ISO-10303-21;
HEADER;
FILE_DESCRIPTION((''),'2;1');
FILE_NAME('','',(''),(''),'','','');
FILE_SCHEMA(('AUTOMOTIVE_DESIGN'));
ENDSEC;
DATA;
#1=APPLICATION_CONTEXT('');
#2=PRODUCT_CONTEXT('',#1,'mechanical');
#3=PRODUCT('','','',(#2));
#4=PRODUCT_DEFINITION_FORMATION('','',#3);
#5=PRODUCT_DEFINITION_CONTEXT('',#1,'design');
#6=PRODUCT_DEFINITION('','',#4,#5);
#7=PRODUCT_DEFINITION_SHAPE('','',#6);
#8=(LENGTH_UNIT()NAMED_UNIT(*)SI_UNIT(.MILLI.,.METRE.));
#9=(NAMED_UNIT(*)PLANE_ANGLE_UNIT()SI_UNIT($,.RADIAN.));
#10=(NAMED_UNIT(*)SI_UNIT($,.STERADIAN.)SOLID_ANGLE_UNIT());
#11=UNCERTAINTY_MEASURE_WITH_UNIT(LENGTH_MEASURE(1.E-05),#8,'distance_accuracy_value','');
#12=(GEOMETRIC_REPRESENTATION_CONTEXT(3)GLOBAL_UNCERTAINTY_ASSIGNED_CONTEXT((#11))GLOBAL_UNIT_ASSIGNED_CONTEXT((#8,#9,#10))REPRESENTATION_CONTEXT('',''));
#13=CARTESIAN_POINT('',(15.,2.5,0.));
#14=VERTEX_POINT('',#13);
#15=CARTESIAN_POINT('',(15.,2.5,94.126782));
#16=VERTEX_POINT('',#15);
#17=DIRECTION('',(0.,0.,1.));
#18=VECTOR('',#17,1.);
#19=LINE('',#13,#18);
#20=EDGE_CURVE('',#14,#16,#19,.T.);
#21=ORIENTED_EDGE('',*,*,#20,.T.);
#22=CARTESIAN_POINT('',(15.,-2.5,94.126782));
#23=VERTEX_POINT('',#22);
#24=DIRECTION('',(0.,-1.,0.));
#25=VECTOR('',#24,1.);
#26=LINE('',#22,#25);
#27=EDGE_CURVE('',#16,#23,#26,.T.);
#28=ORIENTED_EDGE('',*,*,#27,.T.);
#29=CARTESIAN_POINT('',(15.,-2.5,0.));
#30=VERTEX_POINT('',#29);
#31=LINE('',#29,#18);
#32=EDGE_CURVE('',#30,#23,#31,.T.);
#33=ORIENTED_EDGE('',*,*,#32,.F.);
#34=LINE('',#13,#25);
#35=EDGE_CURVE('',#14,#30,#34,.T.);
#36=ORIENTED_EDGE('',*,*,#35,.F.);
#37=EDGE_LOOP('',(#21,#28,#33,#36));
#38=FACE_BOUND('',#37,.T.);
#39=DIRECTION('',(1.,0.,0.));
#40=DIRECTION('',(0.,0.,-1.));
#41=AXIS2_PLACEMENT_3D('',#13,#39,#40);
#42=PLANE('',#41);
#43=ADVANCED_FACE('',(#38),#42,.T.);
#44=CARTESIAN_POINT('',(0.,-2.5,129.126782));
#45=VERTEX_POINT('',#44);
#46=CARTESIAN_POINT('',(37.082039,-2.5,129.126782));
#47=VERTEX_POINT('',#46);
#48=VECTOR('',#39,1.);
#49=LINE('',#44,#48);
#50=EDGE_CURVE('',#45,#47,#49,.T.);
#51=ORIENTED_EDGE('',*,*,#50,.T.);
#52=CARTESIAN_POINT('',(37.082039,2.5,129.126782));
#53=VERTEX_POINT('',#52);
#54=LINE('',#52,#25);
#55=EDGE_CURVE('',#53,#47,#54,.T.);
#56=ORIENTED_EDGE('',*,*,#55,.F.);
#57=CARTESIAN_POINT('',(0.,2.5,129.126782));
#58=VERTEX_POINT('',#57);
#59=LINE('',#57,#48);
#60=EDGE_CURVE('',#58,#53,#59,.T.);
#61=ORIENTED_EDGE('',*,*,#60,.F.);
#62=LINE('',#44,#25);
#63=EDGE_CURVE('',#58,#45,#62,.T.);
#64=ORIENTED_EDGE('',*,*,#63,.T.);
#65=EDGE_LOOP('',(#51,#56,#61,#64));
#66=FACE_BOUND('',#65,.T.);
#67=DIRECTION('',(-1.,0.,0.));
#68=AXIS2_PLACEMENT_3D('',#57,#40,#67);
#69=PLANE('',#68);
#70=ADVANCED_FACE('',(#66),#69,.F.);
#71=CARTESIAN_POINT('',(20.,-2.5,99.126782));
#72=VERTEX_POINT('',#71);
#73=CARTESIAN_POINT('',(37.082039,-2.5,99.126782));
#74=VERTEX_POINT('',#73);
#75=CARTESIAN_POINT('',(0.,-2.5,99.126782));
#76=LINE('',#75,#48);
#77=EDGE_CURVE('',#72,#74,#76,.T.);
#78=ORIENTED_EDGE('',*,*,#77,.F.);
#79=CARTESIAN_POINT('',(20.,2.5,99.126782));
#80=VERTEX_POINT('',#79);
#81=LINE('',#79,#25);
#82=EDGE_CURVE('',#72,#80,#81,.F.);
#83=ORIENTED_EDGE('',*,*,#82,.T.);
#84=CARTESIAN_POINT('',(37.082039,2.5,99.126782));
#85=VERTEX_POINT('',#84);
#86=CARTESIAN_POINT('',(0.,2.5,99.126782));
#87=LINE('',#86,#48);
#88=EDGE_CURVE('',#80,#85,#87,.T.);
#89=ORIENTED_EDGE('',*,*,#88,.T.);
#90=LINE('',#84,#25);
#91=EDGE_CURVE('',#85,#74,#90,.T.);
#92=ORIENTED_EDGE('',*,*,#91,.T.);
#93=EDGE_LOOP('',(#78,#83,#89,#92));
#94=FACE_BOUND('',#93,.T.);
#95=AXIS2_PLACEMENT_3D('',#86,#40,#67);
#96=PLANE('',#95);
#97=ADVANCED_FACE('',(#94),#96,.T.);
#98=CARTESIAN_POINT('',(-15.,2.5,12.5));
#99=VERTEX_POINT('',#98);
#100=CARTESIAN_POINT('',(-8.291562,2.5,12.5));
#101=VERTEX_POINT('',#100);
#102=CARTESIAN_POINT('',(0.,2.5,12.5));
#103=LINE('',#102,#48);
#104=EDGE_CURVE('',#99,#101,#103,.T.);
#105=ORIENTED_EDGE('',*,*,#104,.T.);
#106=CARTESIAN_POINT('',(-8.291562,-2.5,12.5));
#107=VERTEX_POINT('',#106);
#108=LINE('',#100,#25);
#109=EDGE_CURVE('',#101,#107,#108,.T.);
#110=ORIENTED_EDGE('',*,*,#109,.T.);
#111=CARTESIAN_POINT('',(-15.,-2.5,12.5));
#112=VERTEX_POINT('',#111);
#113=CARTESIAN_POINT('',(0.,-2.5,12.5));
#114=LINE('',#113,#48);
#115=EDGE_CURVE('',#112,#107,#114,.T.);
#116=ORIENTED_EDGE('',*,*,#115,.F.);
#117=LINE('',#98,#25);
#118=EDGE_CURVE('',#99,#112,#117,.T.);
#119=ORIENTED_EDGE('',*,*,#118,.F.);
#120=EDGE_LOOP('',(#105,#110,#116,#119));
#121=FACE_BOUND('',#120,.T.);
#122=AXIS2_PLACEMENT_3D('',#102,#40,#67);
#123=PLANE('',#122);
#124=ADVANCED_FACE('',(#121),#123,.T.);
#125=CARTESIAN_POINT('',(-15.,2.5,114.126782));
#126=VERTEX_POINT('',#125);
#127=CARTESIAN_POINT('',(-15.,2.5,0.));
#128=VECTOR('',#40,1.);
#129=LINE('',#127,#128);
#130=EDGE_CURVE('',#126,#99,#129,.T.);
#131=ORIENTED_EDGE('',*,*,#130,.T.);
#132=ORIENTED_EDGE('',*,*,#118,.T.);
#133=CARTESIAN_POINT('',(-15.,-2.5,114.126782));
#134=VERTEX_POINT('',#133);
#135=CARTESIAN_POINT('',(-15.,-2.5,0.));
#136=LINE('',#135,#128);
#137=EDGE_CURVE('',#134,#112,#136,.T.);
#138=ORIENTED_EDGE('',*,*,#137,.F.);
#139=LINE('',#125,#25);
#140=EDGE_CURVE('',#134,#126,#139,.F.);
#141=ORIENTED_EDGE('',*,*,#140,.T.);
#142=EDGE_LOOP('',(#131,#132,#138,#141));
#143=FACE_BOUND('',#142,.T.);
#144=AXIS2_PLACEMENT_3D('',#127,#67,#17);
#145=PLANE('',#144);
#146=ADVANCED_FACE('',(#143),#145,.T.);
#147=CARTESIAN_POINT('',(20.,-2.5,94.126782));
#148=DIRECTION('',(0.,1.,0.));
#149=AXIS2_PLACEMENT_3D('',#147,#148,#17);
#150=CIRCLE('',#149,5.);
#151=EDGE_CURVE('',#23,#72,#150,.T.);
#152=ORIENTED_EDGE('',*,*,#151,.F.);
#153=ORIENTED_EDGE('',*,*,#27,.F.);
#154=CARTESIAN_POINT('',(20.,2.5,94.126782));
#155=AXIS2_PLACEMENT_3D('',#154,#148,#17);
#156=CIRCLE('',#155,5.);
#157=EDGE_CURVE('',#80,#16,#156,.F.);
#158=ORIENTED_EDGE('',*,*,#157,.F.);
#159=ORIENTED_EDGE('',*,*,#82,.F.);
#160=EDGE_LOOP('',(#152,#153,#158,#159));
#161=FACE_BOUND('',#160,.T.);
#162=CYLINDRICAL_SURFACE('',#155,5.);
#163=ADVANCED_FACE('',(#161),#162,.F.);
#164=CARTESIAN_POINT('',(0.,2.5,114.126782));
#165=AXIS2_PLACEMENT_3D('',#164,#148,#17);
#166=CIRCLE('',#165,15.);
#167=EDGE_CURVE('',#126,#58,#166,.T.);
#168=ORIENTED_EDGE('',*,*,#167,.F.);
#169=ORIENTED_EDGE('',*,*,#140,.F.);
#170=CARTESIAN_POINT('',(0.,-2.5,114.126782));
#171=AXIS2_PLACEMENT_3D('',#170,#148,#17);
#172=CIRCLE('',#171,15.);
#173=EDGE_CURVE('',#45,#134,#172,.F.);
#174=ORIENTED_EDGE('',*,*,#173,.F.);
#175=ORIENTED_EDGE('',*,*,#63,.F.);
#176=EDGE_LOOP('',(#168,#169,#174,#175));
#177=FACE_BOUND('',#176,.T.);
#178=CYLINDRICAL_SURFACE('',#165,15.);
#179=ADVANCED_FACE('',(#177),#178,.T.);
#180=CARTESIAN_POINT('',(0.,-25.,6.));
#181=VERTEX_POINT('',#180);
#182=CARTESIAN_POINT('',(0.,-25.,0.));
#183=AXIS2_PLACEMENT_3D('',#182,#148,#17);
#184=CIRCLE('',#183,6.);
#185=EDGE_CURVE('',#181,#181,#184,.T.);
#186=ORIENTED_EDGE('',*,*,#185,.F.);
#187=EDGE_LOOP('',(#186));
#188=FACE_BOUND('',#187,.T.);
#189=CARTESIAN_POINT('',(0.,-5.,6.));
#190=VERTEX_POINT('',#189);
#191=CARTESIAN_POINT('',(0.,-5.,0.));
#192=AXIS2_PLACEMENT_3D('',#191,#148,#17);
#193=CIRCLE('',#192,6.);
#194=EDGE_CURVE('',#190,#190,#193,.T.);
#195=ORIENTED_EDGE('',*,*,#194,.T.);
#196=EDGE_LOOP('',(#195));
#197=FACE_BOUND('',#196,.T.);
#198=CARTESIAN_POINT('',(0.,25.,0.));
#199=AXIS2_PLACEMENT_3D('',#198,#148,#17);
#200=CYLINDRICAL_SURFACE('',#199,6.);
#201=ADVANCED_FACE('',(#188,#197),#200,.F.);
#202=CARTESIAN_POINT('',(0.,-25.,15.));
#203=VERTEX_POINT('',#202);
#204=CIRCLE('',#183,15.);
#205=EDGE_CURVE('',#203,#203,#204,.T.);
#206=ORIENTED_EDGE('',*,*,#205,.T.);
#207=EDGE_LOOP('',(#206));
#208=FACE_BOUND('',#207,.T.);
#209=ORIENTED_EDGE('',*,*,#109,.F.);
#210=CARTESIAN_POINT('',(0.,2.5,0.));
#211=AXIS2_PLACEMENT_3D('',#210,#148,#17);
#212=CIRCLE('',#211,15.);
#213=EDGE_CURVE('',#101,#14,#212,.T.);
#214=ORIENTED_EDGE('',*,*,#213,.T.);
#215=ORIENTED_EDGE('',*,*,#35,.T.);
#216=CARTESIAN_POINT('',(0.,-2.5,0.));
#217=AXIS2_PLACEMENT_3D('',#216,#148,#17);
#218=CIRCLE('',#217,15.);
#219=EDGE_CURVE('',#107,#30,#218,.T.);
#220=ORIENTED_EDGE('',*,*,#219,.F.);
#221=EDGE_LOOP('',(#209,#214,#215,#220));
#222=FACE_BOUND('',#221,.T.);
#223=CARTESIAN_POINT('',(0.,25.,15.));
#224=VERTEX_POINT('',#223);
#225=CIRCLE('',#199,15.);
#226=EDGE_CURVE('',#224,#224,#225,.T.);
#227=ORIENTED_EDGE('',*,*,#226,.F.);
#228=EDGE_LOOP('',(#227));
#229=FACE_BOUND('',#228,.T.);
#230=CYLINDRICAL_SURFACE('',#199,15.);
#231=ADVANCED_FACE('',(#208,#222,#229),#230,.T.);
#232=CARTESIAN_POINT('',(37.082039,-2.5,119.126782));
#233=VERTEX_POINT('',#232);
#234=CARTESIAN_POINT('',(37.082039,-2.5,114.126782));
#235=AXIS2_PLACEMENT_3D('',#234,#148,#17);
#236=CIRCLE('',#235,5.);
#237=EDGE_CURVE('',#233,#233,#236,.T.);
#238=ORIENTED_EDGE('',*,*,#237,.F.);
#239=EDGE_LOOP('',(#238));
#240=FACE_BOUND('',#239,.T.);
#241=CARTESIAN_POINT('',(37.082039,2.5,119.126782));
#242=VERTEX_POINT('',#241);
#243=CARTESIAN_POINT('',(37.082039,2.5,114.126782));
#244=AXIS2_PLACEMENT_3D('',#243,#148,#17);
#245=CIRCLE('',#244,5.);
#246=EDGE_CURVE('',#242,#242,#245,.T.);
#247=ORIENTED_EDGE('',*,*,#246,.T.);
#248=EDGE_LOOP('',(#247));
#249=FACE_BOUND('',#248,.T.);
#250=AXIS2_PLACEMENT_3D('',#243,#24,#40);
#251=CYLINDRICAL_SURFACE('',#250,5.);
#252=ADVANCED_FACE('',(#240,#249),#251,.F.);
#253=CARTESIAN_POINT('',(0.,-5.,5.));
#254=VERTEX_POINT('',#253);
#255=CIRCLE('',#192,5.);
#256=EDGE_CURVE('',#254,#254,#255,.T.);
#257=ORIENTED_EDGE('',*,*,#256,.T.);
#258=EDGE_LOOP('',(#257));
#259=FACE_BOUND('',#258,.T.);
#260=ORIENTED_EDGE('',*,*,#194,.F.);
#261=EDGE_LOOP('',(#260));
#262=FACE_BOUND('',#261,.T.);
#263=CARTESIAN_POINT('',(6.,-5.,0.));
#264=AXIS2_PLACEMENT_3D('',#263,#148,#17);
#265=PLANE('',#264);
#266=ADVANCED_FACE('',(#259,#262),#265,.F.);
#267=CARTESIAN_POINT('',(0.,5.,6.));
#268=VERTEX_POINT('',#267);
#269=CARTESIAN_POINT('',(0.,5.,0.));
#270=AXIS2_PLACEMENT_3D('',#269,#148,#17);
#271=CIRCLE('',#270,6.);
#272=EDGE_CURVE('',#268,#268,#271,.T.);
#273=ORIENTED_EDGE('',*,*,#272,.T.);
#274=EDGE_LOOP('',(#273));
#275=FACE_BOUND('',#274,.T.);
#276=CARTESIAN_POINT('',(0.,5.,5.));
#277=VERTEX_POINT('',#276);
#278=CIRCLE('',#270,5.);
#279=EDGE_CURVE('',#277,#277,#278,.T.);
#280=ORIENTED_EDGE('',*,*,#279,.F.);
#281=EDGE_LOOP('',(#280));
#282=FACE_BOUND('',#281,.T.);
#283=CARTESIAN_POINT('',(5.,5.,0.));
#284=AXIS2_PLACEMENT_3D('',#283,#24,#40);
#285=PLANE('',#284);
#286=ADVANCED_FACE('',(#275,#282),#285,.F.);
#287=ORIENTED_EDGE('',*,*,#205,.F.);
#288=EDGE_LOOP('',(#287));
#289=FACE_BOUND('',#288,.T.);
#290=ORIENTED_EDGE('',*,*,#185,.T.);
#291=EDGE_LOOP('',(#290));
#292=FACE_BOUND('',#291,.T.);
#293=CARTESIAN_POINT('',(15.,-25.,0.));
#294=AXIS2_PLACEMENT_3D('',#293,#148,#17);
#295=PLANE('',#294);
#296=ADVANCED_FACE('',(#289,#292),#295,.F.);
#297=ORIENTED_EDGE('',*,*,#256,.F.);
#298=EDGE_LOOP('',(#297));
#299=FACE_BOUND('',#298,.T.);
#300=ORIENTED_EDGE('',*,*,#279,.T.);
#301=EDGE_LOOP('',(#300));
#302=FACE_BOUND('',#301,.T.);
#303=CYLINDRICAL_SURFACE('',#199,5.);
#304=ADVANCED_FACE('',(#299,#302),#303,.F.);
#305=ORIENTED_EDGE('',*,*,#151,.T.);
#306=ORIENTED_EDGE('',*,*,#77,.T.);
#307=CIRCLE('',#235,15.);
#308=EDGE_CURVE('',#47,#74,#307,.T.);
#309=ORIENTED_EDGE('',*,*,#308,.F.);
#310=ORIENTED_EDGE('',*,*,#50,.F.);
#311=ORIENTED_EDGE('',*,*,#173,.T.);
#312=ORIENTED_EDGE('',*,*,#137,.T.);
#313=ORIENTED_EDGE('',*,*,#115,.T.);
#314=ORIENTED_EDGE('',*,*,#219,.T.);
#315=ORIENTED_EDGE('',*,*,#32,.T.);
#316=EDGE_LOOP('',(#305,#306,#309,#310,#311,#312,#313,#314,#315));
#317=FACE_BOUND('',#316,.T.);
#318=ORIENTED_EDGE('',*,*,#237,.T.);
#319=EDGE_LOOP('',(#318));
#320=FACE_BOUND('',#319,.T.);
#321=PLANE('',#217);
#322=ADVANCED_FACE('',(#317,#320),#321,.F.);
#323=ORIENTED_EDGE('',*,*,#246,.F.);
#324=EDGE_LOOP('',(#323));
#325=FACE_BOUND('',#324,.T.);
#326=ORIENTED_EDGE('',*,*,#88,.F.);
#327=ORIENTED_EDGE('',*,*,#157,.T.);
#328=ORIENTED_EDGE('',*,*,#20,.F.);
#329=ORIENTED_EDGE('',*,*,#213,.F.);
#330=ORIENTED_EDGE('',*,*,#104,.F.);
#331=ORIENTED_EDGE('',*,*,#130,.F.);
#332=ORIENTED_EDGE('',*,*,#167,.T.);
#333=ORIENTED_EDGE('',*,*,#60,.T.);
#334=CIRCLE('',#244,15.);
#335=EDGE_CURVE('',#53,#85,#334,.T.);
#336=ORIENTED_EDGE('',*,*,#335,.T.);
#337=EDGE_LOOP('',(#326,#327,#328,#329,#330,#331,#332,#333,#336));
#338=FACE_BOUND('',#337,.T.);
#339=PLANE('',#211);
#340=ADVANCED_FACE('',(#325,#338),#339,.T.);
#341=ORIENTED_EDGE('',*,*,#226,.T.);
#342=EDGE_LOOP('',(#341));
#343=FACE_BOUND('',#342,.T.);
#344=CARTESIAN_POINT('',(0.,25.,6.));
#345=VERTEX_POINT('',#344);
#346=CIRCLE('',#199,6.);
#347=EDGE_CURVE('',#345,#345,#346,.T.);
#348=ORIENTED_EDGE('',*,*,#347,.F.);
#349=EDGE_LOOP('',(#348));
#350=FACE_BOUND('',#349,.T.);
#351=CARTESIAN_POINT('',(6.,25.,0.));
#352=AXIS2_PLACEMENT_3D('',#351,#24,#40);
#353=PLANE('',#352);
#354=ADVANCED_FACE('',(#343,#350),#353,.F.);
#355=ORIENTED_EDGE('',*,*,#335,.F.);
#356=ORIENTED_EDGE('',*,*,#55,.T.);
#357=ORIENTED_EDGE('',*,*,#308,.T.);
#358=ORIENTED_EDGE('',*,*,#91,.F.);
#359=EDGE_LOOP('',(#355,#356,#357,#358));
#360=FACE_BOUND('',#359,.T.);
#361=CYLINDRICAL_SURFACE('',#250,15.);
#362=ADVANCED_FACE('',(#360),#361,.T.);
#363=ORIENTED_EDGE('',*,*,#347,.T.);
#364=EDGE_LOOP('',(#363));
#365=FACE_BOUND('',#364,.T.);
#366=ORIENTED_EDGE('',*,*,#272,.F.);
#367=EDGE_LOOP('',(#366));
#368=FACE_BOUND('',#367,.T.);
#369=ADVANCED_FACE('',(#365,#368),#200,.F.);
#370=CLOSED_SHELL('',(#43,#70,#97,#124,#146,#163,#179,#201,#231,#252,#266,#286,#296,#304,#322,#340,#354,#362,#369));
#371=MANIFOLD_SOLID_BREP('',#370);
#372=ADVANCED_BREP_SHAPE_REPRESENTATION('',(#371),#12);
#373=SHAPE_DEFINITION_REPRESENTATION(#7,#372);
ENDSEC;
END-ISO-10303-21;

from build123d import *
from OCP.BRepFilletAPI import BRepFilletAPI_MakeFillet

# Parameters (mm, degrees)
SKETCH7_R           = 5
BOSS_EXTRUDE2_DEPTH = 2.5
FILLET2_R1          = 5
FILLET2_R2          = 15


with BuildPart() as part:
    # Sketch4 → Revolve1 (revolve)
    with BuildSketch(Plane.XY):
        Polygon((5, 5), (5, -5), (6, -5), (6, -25), (15, -25), (15, 25), (6, 25), (6, 5), align=None)
    revolve(axis=Axis((0, 25, 0), (0, -1, 0)))

    # Sketch7 → Boss-Extrude2 (add, symmetric)
    with BuildSketch(Plane(origin=(0, 0, 0), x_dir=(1, 0, 0), z_dir=(0, 1, 0))):
        with BuildLine():
            Line((-15, -12.5), (-15, -129.126781955))
            Line((-15, -129.126781955), (37.082039325, -129.126781955))
            ThreePointArc((37.082039325, -129.126781955), (52.082039325, -114.126781955), (37.082039325, -99.126781955))
            Line((37.082039325, -99.126781955), (15, -99.126781955))
            Line((15, -99.126781955), (15, 0))
            ThreePointArc((15, 0), (7.093185827, -13.216910184), (-8.291561976, -12.5))
            Line((-8.291561976, -12.5), (-15, -12.5))
        make_face()
        with Locations((37.082039325, -114.126781955)):
            Circle(SKETCH7_R, mode=Mode.SUBTRACT)
    extrude(amount=BOSS_EXTRUDE2_DEPTH, both=True)

    # Fillet2: one fillet with a radius per group of edges: ONE call of the kernel's fillet builder (fillet() takes one radius for all edges)
    fillet2_edges_1 = [part.edges().sort_by_distance(p)[0] for p in [
        (15, 0, 99.126781955),
    ]]
    fillet2_edges_2 = [part.edges().sort_by_distance(p)[0] for p in [
        (-15, 0, 129.126781955),
    ]]
    fillet2 = BRepFilletAPI_MakeFillet(part.part.solid().wrapped)
    for e in fillet2_edges_1:
        fillet2.Add(FILLET2_R1, e.wrapped)
    for e in fillet2_edges_2:
        fillet2.Add(FILLET2_R2, e.wrapped)
    add(Compound.cast(fillet2.Shape()), mode=Mode.REPLACE)


solid = part.part
